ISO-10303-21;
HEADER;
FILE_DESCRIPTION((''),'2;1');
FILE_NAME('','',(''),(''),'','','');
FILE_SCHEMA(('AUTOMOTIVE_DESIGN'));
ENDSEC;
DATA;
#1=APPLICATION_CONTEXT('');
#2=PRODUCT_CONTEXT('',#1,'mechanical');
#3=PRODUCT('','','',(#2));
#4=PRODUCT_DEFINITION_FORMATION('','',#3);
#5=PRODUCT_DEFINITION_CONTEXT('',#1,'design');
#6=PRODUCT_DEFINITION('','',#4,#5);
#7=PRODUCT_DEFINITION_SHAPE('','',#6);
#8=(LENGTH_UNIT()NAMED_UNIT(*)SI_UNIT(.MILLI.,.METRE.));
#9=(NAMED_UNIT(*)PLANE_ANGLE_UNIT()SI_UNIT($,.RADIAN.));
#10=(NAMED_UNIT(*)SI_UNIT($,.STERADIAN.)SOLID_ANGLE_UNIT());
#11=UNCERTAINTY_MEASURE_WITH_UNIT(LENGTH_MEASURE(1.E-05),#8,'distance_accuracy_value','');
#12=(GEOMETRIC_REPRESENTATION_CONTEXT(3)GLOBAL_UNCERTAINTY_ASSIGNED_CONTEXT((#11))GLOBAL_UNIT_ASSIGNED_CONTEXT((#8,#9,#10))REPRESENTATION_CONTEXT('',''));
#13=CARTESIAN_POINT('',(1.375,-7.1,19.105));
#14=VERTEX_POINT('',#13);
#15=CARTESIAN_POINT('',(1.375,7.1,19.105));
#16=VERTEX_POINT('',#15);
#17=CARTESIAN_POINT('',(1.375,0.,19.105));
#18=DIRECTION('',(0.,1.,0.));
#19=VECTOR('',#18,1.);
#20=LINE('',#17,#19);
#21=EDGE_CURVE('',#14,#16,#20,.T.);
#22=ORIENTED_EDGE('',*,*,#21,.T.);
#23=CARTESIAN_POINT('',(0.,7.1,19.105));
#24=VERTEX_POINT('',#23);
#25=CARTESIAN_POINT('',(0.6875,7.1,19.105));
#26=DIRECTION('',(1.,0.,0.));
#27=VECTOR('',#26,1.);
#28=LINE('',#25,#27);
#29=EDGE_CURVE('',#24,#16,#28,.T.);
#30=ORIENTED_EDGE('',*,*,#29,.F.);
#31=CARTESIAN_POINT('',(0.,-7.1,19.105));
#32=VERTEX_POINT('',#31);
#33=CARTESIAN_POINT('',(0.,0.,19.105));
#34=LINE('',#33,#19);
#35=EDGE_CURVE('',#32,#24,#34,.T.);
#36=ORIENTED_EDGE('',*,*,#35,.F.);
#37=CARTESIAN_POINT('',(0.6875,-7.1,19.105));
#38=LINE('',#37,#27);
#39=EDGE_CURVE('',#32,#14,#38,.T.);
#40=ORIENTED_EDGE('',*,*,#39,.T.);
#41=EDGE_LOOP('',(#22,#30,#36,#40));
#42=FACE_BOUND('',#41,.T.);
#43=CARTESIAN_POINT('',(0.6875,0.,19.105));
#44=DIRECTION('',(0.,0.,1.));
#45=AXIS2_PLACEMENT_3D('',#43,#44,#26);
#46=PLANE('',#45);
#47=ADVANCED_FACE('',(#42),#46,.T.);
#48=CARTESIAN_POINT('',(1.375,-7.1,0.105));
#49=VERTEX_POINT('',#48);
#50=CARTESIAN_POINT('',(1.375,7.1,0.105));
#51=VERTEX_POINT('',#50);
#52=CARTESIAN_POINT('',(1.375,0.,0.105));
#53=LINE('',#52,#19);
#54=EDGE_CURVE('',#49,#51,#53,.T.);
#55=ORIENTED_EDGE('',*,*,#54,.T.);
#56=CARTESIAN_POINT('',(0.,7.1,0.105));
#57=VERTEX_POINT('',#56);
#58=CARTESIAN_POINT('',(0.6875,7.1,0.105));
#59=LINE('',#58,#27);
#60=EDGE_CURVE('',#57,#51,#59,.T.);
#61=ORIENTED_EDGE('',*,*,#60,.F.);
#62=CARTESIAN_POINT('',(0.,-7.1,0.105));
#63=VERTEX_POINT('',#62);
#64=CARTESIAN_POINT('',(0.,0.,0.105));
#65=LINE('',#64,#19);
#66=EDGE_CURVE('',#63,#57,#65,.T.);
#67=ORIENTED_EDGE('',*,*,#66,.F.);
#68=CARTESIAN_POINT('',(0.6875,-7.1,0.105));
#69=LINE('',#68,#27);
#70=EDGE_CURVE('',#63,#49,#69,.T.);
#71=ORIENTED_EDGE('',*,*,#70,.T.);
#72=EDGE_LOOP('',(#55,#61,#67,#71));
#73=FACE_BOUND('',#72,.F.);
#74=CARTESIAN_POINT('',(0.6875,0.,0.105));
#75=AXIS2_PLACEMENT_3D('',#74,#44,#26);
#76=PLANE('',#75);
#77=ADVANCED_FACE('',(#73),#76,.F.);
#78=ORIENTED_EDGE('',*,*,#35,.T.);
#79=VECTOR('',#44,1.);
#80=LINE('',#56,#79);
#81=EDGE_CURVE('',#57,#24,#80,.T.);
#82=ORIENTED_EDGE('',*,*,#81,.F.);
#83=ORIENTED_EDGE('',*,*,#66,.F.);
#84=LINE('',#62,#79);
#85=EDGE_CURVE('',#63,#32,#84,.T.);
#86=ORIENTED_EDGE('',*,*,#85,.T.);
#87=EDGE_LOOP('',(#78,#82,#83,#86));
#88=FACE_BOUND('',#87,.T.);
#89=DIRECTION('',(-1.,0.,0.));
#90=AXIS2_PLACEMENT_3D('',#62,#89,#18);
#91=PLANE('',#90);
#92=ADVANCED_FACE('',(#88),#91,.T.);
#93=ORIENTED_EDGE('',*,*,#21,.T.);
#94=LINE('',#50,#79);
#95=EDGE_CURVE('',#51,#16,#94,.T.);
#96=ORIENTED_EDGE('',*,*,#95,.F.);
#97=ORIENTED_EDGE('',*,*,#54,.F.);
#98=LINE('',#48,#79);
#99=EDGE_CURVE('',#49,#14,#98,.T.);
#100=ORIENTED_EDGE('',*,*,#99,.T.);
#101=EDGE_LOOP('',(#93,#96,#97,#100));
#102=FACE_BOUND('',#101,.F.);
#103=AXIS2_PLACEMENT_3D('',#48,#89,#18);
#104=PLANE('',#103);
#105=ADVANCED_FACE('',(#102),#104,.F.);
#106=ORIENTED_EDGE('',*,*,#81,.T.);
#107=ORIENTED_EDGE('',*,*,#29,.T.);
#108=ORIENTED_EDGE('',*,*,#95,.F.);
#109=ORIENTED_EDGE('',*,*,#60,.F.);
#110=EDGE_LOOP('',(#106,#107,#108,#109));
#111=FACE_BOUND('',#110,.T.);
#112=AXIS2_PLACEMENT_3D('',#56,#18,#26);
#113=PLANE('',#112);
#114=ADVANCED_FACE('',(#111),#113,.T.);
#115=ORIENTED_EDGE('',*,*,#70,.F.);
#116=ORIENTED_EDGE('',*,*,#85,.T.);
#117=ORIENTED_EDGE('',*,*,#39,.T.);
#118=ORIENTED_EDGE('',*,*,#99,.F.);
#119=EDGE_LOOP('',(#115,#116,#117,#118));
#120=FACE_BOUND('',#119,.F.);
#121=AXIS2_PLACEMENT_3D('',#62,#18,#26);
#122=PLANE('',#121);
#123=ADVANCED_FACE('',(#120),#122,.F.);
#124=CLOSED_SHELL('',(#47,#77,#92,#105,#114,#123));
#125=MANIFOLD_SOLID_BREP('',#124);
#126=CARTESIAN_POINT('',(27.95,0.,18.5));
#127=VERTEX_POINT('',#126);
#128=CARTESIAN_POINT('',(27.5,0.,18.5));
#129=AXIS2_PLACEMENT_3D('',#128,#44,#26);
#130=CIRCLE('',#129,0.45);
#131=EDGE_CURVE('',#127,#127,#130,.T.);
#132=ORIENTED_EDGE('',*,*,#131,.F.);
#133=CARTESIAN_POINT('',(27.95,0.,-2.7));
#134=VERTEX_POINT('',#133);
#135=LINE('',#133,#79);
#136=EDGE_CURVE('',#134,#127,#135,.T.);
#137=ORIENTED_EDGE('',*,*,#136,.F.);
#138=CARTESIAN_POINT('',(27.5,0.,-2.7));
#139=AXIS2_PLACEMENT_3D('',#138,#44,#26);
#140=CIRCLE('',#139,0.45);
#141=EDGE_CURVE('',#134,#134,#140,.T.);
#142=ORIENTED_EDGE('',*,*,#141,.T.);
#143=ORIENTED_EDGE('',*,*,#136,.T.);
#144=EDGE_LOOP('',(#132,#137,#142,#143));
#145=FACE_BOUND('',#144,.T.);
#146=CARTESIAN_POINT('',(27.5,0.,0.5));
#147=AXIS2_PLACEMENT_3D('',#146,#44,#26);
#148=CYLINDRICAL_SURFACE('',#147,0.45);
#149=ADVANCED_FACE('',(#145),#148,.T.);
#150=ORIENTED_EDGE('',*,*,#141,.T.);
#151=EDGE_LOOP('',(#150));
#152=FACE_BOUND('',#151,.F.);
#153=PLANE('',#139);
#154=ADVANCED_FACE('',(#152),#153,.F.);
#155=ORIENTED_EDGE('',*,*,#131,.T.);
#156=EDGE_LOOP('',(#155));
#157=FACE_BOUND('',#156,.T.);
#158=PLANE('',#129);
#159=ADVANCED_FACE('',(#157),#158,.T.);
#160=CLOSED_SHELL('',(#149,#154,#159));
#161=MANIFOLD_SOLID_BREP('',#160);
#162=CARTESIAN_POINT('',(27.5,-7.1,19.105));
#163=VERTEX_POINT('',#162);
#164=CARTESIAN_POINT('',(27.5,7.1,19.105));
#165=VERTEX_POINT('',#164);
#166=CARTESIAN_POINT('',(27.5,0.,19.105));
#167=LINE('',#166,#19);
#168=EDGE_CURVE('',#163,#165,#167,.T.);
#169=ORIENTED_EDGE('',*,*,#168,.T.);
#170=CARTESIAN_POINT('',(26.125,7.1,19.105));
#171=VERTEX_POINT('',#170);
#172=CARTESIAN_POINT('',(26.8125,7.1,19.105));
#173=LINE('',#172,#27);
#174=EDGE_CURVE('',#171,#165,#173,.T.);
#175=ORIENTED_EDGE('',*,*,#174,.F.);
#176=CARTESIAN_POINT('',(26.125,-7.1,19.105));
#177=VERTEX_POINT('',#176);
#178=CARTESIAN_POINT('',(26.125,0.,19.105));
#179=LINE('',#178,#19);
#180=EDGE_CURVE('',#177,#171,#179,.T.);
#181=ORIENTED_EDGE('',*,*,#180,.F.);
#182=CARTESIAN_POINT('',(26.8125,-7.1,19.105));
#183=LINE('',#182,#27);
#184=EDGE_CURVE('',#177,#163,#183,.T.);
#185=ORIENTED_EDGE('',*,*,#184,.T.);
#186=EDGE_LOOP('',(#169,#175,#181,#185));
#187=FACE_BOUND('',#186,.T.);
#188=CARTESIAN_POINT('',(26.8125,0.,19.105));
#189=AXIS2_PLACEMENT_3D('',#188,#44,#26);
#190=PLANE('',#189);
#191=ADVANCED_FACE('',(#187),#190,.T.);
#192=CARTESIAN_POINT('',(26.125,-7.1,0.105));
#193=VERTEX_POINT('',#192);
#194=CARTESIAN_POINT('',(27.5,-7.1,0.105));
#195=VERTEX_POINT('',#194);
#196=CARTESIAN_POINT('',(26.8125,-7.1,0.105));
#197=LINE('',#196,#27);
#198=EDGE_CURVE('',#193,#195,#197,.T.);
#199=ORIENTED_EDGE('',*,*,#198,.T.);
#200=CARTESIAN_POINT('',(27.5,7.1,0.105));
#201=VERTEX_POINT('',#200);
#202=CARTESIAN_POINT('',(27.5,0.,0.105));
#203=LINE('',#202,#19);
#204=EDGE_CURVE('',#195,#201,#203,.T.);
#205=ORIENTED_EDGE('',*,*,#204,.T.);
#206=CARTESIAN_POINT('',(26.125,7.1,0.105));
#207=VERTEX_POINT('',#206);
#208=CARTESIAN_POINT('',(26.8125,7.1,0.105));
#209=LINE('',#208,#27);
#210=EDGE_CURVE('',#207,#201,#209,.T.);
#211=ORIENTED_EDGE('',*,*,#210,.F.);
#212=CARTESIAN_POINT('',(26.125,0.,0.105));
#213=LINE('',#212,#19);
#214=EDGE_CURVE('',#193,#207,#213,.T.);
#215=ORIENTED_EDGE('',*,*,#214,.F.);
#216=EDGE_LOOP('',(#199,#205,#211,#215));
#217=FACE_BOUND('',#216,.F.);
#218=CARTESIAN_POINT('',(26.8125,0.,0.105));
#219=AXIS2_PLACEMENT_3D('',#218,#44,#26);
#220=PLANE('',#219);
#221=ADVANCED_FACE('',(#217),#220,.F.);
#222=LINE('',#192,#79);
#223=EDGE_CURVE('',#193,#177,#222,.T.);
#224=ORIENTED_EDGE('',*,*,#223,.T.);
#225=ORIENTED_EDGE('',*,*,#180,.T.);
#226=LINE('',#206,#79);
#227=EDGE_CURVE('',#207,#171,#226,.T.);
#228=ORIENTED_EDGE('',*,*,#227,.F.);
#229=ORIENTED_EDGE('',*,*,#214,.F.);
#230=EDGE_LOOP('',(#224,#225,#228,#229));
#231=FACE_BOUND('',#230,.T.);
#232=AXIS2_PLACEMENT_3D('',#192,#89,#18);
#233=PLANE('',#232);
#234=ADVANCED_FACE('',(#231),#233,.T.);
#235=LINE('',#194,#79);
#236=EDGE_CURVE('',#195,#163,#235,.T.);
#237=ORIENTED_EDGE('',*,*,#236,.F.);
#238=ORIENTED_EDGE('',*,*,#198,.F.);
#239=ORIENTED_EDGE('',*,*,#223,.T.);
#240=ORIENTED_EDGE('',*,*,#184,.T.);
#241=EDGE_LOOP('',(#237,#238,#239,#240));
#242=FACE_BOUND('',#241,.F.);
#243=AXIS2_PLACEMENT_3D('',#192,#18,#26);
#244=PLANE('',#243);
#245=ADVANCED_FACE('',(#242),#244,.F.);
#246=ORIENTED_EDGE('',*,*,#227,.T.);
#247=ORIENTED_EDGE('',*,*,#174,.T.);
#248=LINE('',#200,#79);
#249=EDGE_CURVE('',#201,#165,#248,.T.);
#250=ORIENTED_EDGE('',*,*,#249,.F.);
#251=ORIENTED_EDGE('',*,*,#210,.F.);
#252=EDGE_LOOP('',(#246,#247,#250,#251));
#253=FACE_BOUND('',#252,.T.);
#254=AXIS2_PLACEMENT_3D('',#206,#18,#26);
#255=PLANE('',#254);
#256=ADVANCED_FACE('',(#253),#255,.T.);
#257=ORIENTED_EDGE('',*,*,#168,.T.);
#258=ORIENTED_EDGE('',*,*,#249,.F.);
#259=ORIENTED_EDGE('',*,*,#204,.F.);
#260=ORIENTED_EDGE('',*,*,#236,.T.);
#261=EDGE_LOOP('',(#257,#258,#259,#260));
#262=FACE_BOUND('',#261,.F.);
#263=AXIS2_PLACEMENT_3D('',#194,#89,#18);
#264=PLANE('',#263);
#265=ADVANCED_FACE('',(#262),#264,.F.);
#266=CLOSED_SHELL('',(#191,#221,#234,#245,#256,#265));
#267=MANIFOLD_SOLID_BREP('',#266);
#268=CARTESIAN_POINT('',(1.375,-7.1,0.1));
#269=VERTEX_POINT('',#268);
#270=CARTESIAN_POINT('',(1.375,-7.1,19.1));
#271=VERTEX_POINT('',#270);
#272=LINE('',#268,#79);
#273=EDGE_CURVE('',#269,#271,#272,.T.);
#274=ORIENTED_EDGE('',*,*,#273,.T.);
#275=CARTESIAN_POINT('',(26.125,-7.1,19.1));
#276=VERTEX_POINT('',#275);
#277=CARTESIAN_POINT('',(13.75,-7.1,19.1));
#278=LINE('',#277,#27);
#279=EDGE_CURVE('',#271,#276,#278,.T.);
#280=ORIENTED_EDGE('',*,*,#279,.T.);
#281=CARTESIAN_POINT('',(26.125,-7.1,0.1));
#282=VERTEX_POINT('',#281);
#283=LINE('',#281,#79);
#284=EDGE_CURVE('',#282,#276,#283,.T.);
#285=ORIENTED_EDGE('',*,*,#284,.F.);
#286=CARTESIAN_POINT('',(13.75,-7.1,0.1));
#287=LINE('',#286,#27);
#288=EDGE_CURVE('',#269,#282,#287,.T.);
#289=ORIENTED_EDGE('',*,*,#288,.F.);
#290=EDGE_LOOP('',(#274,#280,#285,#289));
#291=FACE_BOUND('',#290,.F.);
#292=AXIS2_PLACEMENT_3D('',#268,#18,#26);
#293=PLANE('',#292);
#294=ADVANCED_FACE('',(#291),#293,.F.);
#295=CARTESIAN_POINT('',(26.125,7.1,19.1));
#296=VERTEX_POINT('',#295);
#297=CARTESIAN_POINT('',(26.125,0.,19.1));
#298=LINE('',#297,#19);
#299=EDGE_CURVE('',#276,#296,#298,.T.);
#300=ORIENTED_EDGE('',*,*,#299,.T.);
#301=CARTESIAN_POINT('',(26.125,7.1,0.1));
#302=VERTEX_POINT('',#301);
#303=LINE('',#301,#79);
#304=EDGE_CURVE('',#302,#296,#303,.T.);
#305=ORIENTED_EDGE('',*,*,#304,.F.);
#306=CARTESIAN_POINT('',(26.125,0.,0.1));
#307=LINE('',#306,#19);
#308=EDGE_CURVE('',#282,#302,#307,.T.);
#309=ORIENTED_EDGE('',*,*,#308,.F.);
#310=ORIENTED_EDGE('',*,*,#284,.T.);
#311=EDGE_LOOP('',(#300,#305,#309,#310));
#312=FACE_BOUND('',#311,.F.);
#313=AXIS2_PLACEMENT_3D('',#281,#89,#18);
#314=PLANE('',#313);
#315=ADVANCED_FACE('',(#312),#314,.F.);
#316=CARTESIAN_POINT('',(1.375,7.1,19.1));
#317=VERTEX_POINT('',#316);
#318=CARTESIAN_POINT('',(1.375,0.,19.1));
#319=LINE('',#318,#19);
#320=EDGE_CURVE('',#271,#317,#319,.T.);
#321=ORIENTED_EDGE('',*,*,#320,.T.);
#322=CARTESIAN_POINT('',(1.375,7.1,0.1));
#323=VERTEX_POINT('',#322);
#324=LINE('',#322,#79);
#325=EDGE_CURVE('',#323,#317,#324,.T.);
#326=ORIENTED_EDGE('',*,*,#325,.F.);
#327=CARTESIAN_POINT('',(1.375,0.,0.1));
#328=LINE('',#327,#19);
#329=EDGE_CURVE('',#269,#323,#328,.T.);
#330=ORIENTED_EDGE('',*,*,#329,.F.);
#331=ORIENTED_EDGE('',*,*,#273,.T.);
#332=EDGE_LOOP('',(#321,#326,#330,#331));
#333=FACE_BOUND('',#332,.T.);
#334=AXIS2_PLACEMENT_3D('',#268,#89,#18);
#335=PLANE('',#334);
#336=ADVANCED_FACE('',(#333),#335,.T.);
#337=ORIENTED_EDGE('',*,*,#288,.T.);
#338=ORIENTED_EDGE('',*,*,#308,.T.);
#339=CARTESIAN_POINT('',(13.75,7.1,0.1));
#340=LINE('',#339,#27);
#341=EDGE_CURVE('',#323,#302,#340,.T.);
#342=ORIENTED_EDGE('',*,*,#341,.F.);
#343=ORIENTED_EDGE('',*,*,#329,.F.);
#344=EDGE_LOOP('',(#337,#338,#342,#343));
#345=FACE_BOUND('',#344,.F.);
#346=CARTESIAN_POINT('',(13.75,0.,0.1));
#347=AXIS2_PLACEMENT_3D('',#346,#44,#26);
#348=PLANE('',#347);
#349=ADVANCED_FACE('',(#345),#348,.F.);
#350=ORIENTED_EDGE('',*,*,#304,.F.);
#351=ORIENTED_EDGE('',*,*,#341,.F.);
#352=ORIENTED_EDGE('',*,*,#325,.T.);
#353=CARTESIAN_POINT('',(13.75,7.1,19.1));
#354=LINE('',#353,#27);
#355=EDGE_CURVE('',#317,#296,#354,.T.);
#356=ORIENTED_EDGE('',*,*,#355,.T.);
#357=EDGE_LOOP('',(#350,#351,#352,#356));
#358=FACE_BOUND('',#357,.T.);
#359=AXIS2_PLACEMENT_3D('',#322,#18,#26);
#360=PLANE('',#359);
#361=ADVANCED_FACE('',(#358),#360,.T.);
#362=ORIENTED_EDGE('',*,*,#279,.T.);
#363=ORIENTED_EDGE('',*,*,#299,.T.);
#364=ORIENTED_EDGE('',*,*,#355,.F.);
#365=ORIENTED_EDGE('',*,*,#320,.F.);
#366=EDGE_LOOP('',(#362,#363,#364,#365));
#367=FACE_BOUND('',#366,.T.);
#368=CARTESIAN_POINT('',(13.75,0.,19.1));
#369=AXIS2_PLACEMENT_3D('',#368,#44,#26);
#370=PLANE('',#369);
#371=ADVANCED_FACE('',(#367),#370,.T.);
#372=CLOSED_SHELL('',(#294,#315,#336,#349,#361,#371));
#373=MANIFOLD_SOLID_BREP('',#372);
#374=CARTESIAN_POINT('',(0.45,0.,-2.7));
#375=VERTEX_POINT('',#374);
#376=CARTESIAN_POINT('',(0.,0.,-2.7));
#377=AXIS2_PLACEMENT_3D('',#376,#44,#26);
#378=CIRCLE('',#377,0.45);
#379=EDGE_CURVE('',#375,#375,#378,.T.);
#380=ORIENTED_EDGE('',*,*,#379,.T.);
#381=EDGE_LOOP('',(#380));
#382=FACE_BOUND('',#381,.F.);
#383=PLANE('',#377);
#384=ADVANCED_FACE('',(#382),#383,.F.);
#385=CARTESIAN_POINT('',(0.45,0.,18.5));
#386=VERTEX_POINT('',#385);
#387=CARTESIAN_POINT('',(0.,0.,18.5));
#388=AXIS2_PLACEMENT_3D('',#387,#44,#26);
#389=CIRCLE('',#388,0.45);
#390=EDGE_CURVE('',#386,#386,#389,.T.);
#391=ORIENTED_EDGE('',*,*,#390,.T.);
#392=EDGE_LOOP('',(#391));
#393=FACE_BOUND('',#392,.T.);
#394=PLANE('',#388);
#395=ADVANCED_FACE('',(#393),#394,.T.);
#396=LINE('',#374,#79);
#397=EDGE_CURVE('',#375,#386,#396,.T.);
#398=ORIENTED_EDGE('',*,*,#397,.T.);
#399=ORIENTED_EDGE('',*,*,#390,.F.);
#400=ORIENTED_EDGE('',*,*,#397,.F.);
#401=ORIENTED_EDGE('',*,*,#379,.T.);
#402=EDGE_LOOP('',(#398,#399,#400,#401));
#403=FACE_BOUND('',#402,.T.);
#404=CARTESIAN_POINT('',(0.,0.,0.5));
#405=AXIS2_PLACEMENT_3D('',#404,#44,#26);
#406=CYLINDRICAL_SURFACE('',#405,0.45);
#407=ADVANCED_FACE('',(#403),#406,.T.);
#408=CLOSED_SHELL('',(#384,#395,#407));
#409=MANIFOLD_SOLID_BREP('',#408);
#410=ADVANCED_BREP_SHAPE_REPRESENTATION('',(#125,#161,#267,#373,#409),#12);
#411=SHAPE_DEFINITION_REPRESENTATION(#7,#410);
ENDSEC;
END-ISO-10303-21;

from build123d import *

# Parameters (mm, degrees)
SKETCH_W          = 24.75
SKETCH_H          = 14.2
PAD_DEPTH         = 19
SKETCH001_R       = 0.45
PAD001_DEPTH      = 18
PAD001_DEPTH_BACK = 3.2
SKETCH002_W       = 1.375
SKETCH002_H       = 14.2
PAD002_DEPTH      = 19


with BuildPart() as pad:
    # Sketch → Pad (new body)
    with BuildSketch(Plane.XY.offset(0.1)):
        with Locations((13.75, 0)):
            Rectangle(SKETCH_W, SKETCH_H)
    extrude(amount=PAD_DEPTH)


with BuildPart() as pad001:
    # Sketch001 → Pad001 (new body, two sides)
    with BuildSketch(Plane.XY.offset(0.5)) as pad001_sk:
        Circle(SKETCH001_R)
        with Locations((27.5, 0)):
            Circle(SKETCH001_R)
    extrude(amount=PAD001_DEPTH)
    extrude(pad001_sk.sketch, amount=-PAD001_DEPTH_BACK)


with BuildPart() as pad002:
    # Sketch002 → Pad002 (new body)
    with BuildSketch(Plane.XY.offset(0.105)):
        with Locations((0.6875, 0)):
            Rectangle(SKETCH002_W, SKETCH002_H)
        with Locations((26.8125, 0)):
            Rectangle(SKETCH002_W, SKETCH002_H)
    extrude(amount=PAD002_DEPTH)


solid = Compound([pad.part, pad001.part, pad002.part])
